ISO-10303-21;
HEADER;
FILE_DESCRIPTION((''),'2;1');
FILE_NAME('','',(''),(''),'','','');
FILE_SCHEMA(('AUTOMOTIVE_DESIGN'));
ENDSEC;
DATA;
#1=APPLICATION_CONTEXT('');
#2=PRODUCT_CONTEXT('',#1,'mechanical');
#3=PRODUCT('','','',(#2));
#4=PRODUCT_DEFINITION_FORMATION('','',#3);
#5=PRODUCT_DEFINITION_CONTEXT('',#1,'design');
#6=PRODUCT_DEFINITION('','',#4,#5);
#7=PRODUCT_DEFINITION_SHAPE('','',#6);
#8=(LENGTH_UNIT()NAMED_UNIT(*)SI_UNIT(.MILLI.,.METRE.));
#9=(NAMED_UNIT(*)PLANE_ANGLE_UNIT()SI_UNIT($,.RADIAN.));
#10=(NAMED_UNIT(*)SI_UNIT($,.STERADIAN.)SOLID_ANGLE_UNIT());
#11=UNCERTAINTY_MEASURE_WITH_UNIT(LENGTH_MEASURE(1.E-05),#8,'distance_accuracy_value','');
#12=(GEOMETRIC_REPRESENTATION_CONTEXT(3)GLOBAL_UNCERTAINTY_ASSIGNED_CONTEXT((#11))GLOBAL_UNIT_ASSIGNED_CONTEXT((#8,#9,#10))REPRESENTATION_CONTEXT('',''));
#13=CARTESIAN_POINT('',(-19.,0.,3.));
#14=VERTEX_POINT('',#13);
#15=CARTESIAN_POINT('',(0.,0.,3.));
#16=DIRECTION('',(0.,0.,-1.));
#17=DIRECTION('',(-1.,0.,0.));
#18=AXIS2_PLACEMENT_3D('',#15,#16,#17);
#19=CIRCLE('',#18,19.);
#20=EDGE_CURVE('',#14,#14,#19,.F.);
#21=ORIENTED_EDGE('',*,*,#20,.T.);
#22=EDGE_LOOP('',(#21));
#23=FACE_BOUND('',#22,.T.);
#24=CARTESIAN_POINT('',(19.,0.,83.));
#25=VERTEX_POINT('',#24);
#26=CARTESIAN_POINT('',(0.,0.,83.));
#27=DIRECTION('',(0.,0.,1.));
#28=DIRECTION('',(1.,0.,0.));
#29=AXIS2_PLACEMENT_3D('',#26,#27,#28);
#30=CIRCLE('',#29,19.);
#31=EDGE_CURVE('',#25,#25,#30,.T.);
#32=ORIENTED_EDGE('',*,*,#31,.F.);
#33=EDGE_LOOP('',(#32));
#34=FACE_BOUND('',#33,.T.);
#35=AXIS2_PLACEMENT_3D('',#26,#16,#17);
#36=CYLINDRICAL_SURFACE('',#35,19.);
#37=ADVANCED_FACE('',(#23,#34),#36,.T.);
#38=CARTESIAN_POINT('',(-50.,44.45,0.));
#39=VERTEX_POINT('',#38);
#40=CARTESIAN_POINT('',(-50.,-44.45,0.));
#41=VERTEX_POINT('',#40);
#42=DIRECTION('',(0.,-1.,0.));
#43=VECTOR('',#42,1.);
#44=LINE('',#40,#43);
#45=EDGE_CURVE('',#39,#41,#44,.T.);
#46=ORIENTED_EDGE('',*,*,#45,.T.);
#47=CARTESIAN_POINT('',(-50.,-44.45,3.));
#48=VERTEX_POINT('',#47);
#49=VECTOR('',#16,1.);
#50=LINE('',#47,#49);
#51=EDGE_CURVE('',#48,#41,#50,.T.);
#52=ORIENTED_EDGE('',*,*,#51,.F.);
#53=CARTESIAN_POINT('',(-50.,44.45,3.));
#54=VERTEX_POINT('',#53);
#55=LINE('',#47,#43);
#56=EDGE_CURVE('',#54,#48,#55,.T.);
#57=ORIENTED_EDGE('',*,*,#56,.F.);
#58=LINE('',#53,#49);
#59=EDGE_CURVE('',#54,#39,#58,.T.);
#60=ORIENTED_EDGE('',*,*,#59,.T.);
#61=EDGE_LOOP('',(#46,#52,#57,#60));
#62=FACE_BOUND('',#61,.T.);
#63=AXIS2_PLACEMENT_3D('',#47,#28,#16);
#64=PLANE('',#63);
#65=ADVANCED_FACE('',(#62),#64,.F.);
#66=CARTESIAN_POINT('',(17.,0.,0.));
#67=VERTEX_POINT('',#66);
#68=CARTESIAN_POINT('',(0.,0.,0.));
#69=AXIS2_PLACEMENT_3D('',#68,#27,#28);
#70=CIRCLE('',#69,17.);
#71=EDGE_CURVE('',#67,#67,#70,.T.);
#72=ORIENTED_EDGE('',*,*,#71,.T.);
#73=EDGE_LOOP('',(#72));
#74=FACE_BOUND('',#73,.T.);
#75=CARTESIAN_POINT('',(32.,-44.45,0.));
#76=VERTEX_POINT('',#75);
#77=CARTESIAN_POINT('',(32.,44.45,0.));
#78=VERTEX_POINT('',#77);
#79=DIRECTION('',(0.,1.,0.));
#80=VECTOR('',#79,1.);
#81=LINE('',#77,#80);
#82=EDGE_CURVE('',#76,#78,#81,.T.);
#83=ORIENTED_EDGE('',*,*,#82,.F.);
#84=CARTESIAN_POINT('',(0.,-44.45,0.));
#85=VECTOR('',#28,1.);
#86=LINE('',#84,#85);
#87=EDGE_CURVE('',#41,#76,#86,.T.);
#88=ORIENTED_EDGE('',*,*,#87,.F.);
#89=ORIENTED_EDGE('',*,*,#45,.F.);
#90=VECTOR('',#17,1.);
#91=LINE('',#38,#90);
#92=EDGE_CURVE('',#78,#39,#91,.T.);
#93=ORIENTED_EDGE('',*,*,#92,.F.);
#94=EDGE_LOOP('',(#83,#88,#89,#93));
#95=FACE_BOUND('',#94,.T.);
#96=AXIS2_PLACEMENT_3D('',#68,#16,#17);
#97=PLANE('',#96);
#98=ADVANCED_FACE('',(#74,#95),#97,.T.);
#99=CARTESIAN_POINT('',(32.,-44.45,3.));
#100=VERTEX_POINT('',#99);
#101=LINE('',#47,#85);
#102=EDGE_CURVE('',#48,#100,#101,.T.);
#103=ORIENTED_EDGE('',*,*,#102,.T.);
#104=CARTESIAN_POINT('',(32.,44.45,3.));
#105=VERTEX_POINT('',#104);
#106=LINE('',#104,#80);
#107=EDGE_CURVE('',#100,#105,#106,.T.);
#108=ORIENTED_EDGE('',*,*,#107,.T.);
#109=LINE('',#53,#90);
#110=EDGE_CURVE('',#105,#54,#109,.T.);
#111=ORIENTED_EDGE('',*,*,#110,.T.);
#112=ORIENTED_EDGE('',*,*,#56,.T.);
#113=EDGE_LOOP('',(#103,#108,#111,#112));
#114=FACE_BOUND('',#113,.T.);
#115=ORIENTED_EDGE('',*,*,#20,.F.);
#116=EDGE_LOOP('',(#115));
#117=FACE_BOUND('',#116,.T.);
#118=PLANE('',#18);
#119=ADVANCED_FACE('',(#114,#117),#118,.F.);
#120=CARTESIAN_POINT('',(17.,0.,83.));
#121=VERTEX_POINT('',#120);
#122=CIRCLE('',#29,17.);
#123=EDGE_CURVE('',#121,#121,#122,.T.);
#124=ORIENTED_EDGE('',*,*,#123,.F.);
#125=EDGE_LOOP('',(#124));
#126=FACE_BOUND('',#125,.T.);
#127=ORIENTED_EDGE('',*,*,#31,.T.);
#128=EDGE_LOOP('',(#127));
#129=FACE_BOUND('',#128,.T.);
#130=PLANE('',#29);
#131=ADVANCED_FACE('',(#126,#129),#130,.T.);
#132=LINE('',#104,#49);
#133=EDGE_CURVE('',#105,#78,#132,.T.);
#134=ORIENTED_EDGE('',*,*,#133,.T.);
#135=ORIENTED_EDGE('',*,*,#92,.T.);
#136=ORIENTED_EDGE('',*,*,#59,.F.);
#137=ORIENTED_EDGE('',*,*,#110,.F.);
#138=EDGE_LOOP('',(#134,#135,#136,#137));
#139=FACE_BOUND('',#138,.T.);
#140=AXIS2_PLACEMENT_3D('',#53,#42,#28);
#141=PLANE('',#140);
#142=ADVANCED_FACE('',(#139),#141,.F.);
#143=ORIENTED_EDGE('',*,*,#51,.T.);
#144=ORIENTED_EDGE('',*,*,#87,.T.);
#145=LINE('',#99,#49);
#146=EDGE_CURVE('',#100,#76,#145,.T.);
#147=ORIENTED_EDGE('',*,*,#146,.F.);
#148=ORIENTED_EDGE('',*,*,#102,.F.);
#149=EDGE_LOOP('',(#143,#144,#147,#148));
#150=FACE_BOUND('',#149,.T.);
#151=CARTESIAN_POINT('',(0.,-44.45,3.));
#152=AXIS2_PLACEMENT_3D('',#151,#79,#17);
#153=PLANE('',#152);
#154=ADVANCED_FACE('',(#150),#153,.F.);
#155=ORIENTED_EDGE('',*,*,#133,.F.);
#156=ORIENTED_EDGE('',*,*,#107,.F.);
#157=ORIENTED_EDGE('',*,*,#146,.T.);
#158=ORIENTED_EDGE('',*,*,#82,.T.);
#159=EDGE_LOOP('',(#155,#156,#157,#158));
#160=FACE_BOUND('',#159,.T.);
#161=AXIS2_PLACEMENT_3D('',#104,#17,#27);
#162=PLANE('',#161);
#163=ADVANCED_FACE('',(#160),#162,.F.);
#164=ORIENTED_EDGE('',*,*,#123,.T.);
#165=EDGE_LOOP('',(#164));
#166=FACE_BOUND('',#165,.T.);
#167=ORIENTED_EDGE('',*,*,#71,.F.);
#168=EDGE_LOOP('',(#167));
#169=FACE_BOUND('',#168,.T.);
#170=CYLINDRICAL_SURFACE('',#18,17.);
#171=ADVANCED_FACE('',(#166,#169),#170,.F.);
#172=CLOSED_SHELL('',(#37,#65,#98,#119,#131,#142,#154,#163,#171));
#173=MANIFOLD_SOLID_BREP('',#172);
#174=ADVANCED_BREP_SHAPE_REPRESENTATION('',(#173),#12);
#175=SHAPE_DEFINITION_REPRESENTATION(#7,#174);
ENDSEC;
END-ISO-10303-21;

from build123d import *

# Parameters (mm, degrees)
BASE_R              = 17
BOSS_EXTRUDE1_DEPTH = 3
SKETCH1_R           = 19
SKETCH1_R_2         = 17
BOSS_EXTRUDE2_DEPTH = 80


with BuildPart() as part:
    # Base → Boss-Extrude1 (new body)
    with BuildSketch(Plane.XY):
        Polygon((-50, -44.45), (0, -44.45), (32, -44.45), (32, 44.45), (-50, 44.45), align=None)
        Circle(BASE_R, mode=Mode.SUBTRACT)
    extrude(amount=BOSS_EXTRUDE1_DEPTH)

    # Sketch1 → Boss-Extrude2 (add)
    with BuildSketch(Plane.XY.offset(3)):
        with Locations(Location((0, 0, 0), (0, 0, 180))):
            Circle(SKETCH1_R)
        Circle(SKETCH1_R_2, mode=Mode.SUBTRACT)
    extrude(amount=BOSS_EXTRUDE2_DEPTH)


solid = part.part
